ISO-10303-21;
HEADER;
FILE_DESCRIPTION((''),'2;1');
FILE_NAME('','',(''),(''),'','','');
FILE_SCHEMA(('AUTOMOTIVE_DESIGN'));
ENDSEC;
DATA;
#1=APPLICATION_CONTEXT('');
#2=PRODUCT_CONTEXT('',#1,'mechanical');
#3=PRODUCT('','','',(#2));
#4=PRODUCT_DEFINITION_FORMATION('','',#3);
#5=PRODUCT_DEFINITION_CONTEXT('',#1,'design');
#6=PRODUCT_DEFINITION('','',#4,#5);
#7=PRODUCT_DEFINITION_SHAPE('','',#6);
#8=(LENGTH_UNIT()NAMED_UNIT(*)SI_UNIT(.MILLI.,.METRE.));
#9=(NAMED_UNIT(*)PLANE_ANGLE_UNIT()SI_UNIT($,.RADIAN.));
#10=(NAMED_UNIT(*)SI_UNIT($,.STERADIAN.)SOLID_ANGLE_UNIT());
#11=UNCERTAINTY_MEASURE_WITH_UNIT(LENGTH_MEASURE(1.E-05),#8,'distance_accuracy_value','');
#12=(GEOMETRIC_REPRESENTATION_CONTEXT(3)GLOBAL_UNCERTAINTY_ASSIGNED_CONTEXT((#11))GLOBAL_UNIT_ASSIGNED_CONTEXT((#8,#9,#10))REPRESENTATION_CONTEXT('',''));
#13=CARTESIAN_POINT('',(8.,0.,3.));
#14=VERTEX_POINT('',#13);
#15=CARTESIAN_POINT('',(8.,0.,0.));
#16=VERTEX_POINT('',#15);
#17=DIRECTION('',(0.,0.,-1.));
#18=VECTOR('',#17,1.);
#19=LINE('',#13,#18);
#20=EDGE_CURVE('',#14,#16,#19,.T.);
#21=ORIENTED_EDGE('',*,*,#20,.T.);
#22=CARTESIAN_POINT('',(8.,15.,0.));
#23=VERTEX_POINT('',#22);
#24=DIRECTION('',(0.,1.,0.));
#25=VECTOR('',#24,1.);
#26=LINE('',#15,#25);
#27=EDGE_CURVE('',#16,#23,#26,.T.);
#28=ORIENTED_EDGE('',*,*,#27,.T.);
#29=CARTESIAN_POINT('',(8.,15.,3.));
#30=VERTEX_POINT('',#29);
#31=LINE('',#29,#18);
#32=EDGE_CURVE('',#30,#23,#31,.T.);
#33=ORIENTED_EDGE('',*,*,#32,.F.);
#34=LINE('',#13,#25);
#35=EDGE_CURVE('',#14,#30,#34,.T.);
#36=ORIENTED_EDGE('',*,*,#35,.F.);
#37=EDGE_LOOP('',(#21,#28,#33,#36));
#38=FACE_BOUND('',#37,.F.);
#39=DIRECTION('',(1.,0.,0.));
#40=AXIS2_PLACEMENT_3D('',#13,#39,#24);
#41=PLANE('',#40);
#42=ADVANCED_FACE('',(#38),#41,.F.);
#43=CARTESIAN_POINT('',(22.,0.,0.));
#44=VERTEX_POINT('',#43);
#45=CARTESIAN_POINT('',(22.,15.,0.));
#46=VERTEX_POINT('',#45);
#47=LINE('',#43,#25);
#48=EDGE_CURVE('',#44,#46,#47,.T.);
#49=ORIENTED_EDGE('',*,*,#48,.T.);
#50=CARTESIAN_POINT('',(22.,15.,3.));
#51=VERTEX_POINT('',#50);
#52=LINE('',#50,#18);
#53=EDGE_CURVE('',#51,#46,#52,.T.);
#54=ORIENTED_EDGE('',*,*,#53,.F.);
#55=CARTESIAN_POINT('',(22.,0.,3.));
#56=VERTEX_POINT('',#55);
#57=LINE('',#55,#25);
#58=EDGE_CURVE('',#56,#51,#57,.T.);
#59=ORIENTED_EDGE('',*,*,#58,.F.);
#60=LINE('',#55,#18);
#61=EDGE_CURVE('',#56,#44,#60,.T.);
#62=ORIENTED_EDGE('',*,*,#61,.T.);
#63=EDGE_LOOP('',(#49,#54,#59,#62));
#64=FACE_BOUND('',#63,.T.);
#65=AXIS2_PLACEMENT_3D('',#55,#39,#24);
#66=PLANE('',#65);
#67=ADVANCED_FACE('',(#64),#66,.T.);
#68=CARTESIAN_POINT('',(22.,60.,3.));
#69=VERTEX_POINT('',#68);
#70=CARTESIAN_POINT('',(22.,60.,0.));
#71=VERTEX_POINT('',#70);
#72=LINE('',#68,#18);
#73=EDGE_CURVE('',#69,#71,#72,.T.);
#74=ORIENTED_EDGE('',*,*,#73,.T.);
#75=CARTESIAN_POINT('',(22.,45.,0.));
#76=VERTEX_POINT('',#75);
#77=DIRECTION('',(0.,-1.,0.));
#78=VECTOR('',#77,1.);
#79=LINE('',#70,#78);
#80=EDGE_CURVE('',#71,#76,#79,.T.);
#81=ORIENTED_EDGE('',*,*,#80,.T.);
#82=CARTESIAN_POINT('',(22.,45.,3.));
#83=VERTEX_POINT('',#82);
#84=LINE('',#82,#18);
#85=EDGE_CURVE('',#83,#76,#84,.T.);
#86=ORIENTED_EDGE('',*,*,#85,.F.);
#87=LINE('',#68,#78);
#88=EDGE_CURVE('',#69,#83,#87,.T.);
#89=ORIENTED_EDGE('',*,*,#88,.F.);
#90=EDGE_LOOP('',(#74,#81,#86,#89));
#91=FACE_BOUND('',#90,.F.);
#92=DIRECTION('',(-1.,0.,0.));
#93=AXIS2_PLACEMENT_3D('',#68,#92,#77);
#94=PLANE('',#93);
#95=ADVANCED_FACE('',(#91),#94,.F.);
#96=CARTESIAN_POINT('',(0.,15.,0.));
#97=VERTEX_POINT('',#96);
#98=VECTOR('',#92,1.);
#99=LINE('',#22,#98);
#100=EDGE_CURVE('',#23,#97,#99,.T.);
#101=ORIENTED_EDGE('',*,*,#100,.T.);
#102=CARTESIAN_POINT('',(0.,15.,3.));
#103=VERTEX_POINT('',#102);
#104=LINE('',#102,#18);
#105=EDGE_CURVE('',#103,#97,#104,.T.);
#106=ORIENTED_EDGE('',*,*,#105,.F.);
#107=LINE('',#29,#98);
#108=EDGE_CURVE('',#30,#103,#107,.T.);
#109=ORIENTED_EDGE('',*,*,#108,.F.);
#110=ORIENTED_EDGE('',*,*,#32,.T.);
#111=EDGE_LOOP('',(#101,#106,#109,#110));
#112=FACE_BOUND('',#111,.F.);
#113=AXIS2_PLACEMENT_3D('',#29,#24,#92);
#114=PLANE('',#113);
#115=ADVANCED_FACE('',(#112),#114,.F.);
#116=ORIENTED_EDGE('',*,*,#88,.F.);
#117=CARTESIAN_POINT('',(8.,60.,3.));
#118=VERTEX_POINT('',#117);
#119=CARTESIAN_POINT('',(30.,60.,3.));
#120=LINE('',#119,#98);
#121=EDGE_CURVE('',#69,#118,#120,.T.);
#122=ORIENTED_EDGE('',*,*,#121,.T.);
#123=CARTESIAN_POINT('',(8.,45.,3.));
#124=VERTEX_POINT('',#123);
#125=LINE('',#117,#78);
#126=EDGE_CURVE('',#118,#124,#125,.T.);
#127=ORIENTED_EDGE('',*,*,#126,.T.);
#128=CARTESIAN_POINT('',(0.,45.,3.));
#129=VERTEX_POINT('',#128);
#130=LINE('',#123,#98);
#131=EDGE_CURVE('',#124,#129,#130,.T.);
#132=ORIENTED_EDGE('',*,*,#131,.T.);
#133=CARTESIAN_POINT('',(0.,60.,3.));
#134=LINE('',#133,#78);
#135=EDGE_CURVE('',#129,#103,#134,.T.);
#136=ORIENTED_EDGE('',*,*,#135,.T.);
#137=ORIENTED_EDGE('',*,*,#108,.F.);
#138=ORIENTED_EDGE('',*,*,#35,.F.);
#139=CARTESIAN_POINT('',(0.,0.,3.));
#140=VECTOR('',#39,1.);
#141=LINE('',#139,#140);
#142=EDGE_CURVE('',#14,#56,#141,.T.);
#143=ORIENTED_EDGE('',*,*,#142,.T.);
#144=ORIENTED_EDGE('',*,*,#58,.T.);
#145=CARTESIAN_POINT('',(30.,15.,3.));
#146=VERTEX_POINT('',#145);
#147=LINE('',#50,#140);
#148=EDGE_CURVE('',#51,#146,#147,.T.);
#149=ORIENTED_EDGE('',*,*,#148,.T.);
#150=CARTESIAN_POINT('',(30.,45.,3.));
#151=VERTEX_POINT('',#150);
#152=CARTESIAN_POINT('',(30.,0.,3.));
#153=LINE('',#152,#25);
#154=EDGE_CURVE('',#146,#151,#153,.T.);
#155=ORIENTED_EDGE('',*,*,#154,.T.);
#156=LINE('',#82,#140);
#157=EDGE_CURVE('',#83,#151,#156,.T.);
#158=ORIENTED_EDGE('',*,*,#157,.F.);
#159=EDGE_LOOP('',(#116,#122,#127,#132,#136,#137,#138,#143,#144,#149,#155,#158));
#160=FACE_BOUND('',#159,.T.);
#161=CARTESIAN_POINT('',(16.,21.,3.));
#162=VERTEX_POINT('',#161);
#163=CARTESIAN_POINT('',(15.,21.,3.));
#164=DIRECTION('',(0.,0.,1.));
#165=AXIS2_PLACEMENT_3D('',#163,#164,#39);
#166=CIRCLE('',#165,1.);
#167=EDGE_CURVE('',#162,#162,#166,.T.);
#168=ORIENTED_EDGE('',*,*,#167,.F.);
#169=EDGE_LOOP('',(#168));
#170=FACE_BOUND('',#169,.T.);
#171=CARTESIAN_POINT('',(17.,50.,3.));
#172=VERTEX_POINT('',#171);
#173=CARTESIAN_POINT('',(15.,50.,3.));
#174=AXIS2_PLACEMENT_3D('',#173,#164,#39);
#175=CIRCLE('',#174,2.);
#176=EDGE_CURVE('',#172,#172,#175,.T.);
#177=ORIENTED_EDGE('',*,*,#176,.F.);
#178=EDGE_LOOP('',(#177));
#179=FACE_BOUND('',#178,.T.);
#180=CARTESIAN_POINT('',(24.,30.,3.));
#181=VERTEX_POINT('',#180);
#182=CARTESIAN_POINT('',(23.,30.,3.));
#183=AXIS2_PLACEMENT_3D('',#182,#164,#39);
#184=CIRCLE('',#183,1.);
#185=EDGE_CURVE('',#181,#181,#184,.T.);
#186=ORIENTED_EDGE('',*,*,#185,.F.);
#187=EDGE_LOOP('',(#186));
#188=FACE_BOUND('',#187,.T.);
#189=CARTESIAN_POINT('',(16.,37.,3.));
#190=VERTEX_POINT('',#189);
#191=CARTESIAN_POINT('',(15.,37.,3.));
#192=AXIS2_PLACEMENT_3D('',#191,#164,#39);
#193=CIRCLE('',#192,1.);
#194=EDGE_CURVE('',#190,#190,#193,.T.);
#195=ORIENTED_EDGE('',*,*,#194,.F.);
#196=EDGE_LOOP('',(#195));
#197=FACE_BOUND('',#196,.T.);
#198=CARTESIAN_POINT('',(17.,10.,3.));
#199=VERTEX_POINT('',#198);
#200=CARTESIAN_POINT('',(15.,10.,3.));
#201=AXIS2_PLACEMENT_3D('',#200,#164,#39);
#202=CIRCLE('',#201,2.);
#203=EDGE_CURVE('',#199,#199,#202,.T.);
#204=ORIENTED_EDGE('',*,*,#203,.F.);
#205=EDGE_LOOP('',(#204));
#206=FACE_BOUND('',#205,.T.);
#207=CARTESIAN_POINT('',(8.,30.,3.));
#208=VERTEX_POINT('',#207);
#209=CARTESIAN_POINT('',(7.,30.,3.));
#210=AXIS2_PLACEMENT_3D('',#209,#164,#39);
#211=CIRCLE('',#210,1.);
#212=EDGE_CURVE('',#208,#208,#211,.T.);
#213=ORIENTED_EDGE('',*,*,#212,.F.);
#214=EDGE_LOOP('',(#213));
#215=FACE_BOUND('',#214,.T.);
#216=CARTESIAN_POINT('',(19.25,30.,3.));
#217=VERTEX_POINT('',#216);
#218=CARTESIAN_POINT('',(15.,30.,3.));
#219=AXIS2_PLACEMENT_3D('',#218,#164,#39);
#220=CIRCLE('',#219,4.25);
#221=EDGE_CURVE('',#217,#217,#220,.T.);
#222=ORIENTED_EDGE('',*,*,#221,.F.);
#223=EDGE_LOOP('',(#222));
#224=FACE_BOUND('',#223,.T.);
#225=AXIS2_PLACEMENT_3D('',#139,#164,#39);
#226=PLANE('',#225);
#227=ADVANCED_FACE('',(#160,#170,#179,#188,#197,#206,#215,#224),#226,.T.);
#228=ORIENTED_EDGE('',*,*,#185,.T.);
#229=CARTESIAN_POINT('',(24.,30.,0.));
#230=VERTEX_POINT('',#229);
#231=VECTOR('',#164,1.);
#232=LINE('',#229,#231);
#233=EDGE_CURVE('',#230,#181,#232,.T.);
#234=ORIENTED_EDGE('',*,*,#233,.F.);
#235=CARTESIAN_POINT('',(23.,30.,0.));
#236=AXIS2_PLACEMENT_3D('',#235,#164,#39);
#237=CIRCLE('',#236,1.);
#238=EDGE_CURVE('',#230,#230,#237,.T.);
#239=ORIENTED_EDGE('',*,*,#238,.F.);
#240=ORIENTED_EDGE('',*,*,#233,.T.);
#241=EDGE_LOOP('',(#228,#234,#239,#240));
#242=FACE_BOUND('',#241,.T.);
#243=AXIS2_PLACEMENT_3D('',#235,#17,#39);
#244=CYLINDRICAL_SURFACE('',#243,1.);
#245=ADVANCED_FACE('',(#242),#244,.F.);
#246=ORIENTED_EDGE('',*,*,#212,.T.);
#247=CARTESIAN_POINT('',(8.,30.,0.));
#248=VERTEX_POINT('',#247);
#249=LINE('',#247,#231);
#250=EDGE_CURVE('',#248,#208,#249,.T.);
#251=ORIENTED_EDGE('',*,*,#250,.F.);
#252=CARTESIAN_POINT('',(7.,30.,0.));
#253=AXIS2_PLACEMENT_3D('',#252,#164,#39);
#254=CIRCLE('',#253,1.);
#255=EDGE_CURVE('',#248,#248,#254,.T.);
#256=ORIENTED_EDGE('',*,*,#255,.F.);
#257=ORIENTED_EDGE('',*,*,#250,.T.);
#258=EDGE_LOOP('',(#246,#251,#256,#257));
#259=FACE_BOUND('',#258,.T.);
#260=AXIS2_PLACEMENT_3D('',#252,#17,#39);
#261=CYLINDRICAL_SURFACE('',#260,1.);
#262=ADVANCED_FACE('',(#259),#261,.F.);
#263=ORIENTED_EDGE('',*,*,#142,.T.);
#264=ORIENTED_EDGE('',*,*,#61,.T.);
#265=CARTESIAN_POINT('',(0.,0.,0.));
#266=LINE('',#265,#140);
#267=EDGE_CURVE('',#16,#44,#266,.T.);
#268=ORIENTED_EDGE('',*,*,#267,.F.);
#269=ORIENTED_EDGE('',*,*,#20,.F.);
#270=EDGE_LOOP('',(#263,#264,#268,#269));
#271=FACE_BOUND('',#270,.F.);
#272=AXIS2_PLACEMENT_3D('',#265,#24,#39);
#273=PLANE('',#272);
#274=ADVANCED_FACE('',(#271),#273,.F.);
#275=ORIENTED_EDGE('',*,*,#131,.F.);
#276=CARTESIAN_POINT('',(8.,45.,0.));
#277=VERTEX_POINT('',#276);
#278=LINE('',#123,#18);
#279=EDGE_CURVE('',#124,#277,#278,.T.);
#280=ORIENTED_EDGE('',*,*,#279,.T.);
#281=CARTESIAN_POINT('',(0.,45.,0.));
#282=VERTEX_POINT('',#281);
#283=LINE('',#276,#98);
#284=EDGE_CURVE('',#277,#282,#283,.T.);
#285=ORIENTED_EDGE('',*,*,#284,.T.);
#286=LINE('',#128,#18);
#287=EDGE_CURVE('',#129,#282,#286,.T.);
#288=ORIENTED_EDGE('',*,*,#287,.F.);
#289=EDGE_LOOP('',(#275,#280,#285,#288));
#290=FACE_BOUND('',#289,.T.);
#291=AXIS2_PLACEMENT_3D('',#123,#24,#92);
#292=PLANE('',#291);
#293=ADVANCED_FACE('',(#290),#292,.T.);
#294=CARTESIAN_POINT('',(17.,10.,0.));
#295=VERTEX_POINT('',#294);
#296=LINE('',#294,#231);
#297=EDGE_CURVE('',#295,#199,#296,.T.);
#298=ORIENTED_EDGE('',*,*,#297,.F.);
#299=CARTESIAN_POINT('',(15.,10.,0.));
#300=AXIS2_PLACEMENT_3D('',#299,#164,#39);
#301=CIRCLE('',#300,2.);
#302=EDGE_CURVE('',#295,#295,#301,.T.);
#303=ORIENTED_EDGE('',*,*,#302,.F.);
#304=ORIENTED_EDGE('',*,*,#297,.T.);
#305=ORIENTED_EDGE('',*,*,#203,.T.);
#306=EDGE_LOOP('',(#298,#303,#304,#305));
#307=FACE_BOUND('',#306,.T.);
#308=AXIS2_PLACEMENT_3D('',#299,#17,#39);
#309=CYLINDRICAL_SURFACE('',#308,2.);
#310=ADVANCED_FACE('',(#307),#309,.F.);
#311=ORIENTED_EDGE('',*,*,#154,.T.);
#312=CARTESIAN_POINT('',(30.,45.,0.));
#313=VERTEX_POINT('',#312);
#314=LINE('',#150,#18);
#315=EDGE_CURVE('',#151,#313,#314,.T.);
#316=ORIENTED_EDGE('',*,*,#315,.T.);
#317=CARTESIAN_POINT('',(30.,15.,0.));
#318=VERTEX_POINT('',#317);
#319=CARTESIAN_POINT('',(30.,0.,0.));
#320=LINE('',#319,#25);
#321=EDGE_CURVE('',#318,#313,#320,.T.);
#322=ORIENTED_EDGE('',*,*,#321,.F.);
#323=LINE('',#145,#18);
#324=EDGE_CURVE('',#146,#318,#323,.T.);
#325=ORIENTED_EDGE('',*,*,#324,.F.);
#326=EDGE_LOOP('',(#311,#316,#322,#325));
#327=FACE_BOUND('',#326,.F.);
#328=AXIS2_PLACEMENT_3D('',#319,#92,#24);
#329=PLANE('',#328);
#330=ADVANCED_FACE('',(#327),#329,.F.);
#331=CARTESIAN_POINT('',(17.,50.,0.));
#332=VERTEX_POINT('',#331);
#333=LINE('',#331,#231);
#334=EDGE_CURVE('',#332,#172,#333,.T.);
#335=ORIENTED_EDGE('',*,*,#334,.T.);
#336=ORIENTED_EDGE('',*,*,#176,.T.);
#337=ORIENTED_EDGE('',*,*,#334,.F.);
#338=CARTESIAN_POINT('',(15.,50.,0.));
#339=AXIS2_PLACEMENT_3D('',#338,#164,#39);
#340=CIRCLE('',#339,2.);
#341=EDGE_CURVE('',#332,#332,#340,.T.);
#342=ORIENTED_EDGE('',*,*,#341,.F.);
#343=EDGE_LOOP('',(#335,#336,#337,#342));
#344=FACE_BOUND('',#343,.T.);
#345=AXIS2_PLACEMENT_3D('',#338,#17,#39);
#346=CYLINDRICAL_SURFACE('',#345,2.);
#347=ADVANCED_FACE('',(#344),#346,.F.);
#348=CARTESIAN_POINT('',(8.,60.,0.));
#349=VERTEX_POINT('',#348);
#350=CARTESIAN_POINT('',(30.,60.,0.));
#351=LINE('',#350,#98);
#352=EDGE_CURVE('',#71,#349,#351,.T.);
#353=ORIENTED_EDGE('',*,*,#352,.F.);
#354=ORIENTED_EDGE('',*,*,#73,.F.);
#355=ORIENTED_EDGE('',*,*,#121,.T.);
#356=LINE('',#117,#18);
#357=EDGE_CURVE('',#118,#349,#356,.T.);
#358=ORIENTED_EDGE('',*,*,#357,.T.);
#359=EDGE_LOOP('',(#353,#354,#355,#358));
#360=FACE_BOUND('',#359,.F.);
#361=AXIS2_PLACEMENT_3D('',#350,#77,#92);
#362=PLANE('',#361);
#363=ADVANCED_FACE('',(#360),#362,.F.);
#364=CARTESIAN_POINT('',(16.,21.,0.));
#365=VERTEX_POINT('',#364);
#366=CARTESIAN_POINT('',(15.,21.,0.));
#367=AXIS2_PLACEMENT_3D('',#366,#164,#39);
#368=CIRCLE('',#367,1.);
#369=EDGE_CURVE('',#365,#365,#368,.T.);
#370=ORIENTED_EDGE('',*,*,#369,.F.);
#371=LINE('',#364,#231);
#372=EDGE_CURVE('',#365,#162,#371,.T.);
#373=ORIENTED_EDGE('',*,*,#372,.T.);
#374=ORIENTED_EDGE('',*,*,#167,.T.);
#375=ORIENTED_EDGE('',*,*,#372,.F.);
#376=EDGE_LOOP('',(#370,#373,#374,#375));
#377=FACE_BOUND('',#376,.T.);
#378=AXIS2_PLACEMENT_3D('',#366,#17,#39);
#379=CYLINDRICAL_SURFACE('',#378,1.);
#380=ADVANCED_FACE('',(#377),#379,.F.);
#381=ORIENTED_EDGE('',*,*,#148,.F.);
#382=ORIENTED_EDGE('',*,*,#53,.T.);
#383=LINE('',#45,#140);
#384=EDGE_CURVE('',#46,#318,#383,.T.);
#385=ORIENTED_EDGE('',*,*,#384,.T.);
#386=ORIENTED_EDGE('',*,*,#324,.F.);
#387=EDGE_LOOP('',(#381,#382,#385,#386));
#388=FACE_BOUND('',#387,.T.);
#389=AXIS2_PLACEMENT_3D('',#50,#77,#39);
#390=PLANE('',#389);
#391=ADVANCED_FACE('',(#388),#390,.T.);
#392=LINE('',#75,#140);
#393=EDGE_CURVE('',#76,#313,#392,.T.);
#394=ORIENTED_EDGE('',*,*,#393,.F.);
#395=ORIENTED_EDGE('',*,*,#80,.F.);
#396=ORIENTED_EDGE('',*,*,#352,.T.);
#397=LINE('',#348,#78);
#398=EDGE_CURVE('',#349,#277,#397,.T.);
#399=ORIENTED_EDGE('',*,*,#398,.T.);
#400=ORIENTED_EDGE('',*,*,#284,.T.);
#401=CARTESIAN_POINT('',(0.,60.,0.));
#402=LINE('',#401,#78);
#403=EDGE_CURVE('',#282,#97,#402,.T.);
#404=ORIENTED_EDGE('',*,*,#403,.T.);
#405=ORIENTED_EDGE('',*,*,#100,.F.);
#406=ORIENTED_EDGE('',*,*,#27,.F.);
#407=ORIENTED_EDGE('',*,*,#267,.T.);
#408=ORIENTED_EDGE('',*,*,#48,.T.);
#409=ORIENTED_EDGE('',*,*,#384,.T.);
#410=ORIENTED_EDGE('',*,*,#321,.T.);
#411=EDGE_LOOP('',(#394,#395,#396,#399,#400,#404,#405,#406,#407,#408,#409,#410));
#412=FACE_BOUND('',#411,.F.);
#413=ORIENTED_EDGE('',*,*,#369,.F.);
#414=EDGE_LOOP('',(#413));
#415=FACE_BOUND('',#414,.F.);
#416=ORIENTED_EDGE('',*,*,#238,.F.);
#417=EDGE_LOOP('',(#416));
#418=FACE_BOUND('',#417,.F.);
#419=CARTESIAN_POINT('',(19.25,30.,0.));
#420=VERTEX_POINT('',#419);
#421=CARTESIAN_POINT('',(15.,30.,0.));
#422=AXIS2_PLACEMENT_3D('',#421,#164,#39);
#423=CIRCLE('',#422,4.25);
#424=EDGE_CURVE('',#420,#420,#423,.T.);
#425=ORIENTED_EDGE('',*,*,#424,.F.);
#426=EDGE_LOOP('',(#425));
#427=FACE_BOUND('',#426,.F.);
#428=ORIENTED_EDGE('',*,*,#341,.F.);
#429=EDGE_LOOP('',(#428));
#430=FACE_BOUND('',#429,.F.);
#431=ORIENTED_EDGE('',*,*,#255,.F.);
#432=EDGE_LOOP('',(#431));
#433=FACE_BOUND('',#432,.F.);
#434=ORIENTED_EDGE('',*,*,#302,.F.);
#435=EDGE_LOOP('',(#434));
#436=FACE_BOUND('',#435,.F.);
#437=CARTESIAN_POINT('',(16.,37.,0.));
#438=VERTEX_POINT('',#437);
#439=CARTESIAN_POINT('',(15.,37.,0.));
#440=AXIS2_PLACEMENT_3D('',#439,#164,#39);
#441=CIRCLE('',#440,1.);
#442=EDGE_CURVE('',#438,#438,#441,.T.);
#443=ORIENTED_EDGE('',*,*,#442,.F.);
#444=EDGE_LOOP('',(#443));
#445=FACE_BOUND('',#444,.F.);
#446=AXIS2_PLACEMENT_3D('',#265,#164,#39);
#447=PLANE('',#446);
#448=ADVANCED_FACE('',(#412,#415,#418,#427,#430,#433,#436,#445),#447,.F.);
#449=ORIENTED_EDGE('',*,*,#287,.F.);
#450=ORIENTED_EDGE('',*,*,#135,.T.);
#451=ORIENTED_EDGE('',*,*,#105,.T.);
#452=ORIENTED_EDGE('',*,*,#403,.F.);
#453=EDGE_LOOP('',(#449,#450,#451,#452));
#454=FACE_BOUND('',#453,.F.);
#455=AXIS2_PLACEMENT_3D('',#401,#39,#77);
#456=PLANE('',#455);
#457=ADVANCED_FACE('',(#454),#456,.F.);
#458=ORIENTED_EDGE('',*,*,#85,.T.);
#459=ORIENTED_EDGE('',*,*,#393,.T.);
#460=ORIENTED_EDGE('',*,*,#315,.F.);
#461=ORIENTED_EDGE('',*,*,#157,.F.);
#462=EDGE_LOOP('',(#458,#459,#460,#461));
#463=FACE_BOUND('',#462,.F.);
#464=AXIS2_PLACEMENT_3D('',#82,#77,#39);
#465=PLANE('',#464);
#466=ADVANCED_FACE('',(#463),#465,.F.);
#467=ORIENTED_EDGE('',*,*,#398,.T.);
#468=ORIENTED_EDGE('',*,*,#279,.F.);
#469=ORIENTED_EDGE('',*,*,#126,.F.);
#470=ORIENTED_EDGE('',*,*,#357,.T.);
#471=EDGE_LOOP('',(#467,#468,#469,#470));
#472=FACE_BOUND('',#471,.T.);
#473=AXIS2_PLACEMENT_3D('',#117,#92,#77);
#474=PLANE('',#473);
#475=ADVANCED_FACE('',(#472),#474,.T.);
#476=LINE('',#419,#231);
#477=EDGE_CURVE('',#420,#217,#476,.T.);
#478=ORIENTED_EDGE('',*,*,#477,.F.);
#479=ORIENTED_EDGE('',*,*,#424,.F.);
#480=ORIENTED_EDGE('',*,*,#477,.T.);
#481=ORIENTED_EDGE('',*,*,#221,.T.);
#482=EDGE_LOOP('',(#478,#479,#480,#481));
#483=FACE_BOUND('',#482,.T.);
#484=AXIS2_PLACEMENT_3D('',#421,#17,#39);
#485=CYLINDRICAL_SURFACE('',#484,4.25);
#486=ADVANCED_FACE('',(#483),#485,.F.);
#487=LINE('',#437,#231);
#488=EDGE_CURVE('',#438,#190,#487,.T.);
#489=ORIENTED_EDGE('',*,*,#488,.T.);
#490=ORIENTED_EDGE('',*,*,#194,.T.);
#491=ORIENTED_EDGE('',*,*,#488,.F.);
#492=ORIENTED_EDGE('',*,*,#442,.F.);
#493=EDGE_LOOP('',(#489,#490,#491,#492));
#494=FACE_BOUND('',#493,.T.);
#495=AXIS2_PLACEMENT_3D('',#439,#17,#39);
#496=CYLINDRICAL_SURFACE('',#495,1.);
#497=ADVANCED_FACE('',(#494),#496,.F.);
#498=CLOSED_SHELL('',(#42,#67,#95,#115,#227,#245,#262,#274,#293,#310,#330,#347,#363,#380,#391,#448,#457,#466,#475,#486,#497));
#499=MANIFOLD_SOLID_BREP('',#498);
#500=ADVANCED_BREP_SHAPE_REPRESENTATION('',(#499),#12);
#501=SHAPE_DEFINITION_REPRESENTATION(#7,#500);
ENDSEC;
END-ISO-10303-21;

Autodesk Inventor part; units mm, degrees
ref_plane "YZ Plane" through (0, 0, 0) normal (1, 0, 0) x (0, 1, 0)
ref_plane "XZ Plane" through (0, 0, 0) normal (0, 1, 0) x (-1, 0, 0)
ref_plane "XY Plane" through (0, 0, 0) normal (0, 0, 1) x (1, 0, 0)
sketch "Boceto1" plane through (0, 0, 0) normal (0, 0, 1) x (1, 0, 0)
  line L0 (0, 0) -> (30, 0)
  line L1 (30, 0) -> (30, 60)
  line L2 (30, 60) -> (0, 60)
  line L3 (0, 60) -> (0, 0)
  circle A0 centre (15, 30) radius 4.25
  circle A1 centre (7, 30) radius 1
  circle A2 centre (23, 30) radius 1
  circle A3 centre (15, 37) radius 1
  circle A4 centre (15, 21) radius 1
  circle A5 centre (15, 50) radius 2
  circle A6 centre (15, 10) radius 2
  point P0 (15, 0)
  dimension "d0" = 30
  dimension "d1" = 60
  dimension "d2" = 8.5
  dimension "d3" = 2
  dimension "d4" = 2
  dimension "d7" = 2
  dimension "d8" = 2
  dimension "d9" = 16
  dimension "d21" = 30
  dimension "d22" = 23
  dimension "d24" = 0
  dimension "d25" = 0
  dimension "d26" = 16
  dimension "d27" = 7
  dimension "d28" = 4
  dimension "d29" = 4
  dimension "d30" = 20
  dimension "d31" = 20
extrude "Extrusión1" add sketch "Boceto1" along normal blind 3
thread "Rosca1" size "M2x0.4" class "6H" standard "ANSI Metric M Profile" full length
thread "Rosca2" size "M2x0.4" class "6H" standard "ANSI Metric M Profile" full length
thread "Rosca3" size "M2x0.4" class "6H" standard "ANSI Metric M Profile" full length
thread "Rosca4" size "M2x0.4" class "6H" standard "ANSI Metric M Profile" full length
thread "Rosca5" size "M4x0.7" class "6H" standard "ANSI Metric M Profile" full length
thread "Rosca6" size "M4x0.7" class "6H" standard "ANSI Metric M Profile" full length
sketch "Boceto2" plane through (0, 0, 3) normal (0, 0, 1) x (1, 0, 0)
  line L0 (30, 60) -> (0, 60) projected
  line L1 (0, 60) -> (8, 60)
  line L2 (8, 60) -> (8, 45)
  line L3 (8, 45) -> (0, 45)
  line L4 (0, 45) -> (0, 60)
  line L5 (30, 60) -> (22, 60)
  line L6 (22, 60) -> (22, 45)
  line L7 (22, 45) -> (30, 45)
  line L8 (30, 45) -> (30, 60)
  line L9 (0, 0) -> (30, 0) projected
  line L10 (0, 0) -> (8, 0)
  line L11 (8, 0) -> (8, 15)
  line L12 (8, 15) -> (0, 15)
  line L13 (0, 15) -> (0, 0)
  line L14 (30, 0) -> (22, 0)
  line L15 (22, 0) -> (22, 15)
  line L16 (22, 15) -> (30, 15)
  line L17 (30, 15) -> (30, 0)
  dimension "d36" = 8
  dimension "d37" = 15
  dimension "d38" = 8
  dimension "d39" = 15
  dimension "d40" = 8
  dimension "d41" = 15
  dimension "d42" = 8
  dimension "d43" = 15
extrude "Extrusión2" cut sketch "Boceto2" against normal blind 3
properties part number "placa_soporte_motor"
